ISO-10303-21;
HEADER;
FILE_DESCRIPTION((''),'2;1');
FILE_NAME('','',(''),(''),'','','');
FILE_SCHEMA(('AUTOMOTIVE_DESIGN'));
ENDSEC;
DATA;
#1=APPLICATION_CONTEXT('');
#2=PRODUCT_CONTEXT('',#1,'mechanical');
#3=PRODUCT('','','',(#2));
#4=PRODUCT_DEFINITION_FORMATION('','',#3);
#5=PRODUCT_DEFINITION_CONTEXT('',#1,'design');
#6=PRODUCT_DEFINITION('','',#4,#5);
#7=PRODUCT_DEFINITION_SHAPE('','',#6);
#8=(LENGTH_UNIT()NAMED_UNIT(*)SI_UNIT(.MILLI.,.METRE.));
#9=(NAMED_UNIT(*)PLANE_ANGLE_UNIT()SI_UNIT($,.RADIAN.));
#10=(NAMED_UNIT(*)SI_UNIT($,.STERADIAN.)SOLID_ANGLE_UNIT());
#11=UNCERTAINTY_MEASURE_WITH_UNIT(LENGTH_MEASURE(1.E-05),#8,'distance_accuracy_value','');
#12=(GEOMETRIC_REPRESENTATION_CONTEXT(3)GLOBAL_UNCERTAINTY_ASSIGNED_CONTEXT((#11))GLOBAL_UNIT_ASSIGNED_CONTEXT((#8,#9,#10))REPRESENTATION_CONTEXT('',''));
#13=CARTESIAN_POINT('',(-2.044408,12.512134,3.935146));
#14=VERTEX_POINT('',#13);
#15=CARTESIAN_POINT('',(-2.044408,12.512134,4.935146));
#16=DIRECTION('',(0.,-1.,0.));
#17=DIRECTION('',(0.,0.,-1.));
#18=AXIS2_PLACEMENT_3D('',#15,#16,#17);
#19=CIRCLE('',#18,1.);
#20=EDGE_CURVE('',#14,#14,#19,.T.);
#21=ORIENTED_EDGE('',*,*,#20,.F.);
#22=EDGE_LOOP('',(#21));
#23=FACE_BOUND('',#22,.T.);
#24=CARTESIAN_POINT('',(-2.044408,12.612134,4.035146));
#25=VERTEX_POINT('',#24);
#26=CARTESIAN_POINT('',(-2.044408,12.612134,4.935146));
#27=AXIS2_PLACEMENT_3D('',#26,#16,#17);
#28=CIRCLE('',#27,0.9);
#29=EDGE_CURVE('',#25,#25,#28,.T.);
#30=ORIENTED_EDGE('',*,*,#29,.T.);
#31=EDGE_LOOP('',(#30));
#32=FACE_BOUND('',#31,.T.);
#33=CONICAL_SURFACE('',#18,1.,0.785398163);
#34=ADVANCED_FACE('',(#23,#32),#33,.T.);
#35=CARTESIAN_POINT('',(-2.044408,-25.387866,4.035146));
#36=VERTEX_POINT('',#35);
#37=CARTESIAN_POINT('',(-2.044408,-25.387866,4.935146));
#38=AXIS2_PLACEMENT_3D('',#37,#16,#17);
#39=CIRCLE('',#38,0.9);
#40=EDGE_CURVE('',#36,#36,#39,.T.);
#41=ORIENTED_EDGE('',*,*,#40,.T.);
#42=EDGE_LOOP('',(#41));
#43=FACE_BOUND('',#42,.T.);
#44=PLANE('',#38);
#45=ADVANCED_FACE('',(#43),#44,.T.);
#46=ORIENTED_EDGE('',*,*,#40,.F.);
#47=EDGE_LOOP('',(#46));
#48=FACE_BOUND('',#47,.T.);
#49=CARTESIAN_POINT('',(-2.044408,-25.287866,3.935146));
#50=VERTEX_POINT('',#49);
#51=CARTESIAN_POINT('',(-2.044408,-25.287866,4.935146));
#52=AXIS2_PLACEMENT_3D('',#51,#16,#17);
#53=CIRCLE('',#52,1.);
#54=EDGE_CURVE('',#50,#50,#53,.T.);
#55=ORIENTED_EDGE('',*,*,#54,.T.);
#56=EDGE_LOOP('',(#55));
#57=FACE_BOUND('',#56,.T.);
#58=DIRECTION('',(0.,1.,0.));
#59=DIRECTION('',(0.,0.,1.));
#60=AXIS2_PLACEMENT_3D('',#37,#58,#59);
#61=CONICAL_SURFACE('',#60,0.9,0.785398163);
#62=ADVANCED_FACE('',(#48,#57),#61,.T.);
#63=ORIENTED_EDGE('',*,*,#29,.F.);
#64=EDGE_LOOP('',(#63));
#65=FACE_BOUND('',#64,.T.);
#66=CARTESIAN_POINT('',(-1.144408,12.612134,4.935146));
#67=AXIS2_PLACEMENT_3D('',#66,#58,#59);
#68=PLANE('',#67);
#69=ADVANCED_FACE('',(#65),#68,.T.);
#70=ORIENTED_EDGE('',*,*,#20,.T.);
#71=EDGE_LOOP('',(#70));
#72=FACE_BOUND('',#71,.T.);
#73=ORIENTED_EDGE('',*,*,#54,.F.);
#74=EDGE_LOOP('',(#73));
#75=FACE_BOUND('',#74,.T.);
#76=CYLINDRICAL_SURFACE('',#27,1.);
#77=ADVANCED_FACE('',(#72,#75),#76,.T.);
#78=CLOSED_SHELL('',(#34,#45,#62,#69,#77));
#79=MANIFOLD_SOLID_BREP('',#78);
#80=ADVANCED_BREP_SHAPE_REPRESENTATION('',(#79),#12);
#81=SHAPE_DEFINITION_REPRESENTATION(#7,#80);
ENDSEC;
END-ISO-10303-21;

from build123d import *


with BuildPart() as part:
    # Sketch1 → Revolve1 (revolve)
    with BuildSketch(Plane.XY.offset(4.935145608)):
        Polygon((-1.144407818, 12.612134029), (-2.044407818, 12.612134029), (-2.044407818, -25.387865971), (-1.144407818, -25.387865971), (-1.044407818, -25.287865971), (-1.044407818, 12.512134029), align=None)
    revolve(axis=Axis((-2.044407818, 12.612134029, 4.935145608), (0, -1, 0)))


solid = part.part
